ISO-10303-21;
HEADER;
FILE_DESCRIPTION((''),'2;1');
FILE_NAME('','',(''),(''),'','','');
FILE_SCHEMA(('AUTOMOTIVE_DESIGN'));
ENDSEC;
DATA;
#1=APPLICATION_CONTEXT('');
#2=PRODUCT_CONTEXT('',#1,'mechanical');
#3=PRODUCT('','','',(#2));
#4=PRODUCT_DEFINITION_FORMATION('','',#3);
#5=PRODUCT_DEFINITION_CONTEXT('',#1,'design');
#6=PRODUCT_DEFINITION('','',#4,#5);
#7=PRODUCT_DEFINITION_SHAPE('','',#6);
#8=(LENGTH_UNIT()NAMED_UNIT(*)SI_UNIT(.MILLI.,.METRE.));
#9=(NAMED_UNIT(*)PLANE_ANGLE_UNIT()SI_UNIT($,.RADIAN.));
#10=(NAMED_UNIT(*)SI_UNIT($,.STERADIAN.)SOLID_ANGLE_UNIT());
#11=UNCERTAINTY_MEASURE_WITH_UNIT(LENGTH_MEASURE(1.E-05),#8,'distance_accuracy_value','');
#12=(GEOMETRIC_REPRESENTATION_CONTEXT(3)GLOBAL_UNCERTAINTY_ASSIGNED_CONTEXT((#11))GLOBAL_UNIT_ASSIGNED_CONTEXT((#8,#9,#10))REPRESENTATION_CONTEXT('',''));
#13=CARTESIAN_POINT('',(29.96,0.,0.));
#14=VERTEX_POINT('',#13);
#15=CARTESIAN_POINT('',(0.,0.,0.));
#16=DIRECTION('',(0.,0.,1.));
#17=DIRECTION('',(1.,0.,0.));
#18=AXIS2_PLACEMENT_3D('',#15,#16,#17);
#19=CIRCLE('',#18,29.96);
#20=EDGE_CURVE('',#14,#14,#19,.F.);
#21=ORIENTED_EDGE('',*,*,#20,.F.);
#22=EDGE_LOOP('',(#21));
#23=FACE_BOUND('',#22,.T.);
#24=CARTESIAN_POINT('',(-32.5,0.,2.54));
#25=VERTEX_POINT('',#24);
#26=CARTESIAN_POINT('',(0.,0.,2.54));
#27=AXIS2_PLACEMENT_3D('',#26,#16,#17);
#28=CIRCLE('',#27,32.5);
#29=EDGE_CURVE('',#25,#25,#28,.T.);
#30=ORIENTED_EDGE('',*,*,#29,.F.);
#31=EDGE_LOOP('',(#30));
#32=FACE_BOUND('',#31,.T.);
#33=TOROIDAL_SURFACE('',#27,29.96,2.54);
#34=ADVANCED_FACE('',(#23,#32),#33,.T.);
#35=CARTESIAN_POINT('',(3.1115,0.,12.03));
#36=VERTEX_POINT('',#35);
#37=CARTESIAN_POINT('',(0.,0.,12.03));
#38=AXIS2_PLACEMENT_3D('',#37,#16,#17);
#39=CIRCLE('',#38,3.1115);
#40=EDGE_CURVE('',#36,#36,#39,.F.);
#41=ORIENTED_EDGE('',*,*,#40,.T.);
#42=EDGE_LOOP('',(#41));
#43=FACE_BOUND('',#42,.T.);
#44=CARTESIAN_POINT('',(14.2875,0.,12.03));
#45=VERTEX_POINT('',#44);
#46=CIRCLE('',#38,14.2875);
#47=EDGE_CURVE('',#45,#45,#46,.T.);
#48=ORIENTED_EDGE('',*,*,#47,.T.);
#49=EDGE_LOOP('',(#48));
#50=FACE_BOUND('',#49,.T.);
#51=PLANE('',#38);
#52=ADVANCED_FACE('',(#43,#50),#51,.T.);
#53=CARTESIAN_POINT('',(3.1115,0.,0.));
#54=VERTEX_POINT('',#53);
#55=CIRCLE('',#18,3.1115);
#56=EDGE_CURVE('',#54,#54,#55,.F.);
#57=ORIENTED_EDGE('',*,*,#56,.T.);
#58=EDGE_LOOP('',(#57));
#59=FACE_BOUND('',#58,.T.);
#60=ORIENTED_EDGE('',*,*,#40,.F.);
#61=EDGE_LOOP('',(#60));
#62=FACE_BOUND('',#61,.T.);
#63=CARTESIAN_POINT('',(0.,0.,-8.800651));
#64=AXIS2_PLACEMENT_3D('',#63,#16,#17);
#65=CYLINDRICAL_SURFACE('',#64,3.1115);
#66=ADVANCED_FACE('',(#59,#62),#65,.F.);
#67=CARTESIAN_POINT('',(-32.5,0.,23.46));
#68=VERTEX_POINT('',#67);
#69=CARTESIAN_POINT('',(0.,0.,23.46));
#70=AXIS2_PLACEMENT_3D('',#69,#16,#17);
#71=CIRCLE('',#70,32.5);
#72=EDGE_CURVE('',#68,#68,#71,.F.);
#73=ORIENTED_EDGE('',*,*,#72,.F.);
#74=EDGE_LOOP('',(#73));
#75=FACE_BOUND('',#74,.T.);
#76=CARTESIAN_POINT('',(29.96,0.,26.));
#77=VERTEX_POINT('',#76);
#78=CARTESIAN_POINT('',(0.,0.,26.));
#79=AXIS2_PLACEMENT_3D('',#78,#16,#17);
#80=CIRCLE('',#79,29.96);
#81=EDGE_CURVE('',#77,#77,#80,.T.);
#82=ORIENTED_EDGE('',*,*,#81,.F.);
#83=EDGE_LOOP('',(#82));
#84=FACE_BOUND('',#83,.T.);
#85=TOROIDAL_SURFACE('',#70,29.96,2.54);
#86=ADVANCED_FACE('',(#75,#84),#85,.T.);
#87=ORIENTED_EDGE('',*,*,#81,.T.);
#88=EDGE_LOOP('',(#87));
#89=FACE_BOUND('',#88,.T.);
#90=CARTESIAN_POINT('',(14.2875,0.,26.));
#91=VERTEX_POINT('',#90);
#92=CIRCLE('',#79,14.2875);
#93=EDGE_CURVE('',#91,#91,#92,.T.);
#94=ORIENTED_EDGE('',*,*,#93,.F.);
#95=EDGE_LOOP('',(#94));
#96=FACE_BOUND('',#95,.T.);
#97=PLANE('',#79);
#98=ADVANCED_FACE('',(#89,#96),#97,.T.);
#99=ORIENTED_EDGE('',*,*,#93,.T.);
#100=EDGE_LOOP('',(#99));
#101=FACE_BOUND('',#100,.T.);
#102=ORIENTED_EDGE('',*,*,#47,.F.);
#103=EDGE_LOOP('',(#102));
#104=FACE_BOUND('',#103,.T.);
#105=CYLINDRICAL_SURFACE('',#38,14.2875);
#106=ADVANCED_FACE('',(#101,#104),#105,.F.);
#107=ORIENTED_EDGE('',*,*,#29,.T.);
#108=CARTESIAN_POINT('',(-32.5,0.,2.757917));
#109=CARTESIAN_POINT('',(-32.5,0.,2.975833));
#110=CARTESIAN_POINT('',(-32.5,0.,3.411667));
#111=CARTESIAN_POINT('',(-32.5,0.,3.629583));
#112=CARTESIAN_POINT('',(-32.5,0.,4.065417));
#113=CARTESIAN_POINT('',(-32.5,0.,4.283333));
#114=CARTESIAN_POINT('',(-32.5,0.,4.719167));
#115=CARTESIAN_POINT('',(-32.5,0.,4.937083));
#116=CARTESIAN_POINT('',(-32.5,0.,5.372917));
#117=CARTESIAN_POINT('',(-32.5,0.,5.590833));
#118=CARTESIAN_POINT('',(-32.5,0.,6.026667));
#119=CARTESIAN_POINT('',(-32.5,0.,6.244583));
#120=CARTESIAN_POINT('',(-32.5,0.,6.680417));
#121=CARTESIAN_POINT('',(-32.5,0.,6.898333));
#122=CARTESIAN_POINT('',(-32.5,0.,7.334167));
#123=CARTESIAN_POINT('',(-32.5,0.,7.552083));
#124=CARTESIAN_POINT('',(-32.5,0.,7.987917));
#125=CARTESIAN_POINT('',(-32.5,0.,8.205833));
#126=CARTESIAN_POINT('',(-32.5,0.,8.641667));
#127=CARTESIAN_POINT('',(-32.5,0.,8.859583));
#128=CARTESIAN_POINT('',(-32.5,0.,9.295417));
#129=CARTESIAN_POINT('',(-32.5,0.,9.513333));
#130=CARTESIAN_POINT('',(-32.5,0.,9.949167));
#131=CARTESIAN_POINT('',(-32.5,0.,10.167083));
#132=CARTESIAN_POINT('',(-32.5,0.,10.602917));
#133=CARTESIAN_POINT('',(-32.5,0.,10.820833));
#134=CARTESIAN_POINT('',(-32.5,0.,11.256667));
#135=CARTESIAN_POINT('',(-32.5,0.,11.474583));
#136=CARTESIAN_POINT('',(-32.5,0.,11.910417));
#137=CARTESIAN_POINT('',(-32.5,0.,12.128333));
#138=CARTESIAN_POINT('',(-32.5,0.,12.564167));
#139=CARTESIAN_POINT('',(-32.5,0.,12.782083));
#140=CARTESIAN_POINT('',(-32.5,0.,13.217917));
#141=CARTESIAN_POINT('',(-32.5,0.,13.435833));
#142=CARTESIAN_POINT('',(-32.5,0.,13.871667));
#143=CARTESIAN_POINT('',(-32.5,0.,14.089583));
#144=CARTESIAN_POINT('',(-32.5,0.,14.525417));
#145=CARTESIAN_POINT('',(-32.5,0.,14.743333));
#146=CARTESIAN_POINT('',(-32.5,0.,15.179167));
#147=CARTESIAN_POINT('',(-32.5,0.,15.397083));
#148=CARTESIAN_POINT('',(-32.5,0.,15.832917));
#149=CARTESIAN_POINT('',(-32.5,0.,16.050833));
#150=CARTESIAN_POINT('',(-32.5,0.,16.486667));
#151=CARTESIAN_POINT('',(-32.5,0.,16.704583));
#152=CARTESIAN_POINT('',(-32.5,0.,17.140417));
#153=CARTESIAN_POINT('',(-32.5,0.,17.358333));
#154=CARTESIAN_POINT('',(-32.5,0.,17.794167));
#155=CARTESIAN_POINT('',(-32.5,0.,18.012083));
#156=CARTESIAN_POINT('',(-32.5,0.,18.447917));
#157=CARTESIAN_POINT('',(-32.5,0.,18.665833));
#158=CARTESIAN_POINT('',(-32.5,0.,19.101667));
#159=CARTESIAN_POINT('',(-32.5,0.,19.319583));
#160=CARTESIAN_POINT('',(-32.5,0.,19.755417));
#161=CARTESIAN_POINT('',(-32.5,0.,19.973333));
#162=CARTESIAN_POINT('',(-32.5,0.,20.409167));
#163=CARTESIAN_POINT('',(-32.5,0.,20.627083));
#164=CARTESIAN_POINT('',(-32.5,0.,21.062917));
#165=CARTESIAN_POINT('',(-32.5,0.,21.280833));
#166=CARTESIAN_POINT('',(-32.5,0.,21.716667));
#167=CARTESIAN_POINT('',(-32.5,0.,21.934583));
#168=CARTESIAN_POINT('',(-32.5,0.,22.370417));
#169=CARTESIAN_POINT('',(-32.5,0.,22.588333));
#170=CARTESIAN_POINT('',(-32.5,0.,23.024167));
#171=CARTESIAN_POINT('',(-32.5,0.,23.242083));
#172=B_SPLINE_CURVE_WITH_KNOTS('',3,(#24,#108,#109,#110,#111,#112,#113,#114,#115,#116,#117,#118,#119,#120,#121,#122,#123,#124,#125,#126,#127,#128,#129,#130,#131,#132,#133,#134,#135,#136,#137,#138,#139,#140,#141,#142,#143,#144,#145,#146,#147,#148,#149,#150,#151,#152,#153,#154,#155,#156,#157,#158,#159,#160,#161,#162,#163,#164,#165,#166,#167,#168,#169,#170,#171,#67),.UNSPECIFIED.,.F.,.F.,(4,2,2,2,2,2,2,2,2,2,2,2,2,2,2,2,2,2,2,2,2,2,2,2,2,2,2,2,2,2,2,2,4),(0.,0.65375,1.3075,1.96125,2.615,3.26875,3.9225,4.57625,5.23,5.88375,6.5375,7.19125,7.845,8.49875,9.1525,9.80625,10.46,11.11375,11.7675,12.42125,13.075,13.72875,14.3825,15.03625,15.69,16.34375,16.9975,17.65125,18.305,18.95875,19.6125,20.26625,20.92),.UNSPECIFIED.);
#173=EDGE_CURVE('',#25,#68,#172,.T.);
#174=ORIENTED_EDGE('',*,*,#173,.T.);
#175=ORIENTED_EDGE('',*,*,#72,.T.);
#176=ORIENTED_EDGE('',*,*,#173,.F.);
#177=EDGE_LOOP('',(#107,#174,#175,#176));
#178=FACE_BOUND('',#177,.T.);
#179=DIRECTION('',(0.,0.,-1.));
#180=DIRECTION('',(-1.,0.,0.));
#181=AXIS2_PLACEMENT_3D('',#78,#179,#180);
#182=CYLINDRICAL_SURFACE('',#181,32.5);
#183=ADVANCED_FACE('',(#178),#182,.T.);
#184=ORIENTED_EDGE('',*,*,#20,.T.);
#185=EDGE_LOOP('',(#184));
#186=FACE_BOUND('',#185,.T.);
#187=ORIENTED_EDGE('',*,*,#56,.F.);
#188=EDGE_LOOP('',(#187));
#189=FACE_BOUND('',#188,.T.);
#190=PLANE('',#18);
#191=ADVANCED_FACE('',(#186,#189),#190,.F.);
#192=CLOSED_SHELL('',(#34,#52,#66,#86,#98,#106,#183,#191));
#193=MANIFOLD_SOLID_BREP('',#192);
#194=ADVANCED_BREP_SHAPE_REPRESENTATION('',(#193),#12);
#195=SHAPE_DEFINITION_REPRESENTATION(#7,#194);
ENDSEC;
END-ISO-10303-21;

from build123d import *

# Parameters (mm, degrees)
SKETCH1_R           = 32.5
BOSS_EXTRUDE1_DEPTH = 26
FILLET1_R           = 2.54
SKETCH2_R           = 3.1115
CUT_EXTRUDE1_DEPTH  = 26
SKETCH3_R           = 14.2875
CUT_EXTRUDE2_DEPTH  = 13.97


with BuildPart() as part:
    # Sketch1 → Boss-Extrude1 (new body)
    with BuildSketch(Plane.XY):
        with Locations(Location((0, 0, 0), (0, 0, 180))):
            Circle(SKETCH1_R)
    extrude(amount=BOSS_EXTRUDE1_DEPTH)

    # Fillet1
    fillet1_edges = [part.edges().sort_by_distance(p)[0] for p in [
        (32.5, 0, 0),
        (32.5, 0, 26),
    ]]
    fillet(fillet1_edges, radius=FILLET1_R)

    # Sketch2 → Cut-Extrude1 (cut)
    with BuildSketch(Plane.XY.offset(26)):
        Circle(SKETCH2_R)
    extrude(amount=-CUT_EXTRUDE1_DEPTH, mode=Mode.SUBTRACT)

    # Sketch3 → Cut-Extrude2 (cut)
    with BuildSketch(Plane.XY.offset(26)):
        Circle(SKETCH3_R)
    extrude(amount=-CUT_EXTRUDE2_DEPTH, mode=Mode.SUBTRACT)


solid = part.part
